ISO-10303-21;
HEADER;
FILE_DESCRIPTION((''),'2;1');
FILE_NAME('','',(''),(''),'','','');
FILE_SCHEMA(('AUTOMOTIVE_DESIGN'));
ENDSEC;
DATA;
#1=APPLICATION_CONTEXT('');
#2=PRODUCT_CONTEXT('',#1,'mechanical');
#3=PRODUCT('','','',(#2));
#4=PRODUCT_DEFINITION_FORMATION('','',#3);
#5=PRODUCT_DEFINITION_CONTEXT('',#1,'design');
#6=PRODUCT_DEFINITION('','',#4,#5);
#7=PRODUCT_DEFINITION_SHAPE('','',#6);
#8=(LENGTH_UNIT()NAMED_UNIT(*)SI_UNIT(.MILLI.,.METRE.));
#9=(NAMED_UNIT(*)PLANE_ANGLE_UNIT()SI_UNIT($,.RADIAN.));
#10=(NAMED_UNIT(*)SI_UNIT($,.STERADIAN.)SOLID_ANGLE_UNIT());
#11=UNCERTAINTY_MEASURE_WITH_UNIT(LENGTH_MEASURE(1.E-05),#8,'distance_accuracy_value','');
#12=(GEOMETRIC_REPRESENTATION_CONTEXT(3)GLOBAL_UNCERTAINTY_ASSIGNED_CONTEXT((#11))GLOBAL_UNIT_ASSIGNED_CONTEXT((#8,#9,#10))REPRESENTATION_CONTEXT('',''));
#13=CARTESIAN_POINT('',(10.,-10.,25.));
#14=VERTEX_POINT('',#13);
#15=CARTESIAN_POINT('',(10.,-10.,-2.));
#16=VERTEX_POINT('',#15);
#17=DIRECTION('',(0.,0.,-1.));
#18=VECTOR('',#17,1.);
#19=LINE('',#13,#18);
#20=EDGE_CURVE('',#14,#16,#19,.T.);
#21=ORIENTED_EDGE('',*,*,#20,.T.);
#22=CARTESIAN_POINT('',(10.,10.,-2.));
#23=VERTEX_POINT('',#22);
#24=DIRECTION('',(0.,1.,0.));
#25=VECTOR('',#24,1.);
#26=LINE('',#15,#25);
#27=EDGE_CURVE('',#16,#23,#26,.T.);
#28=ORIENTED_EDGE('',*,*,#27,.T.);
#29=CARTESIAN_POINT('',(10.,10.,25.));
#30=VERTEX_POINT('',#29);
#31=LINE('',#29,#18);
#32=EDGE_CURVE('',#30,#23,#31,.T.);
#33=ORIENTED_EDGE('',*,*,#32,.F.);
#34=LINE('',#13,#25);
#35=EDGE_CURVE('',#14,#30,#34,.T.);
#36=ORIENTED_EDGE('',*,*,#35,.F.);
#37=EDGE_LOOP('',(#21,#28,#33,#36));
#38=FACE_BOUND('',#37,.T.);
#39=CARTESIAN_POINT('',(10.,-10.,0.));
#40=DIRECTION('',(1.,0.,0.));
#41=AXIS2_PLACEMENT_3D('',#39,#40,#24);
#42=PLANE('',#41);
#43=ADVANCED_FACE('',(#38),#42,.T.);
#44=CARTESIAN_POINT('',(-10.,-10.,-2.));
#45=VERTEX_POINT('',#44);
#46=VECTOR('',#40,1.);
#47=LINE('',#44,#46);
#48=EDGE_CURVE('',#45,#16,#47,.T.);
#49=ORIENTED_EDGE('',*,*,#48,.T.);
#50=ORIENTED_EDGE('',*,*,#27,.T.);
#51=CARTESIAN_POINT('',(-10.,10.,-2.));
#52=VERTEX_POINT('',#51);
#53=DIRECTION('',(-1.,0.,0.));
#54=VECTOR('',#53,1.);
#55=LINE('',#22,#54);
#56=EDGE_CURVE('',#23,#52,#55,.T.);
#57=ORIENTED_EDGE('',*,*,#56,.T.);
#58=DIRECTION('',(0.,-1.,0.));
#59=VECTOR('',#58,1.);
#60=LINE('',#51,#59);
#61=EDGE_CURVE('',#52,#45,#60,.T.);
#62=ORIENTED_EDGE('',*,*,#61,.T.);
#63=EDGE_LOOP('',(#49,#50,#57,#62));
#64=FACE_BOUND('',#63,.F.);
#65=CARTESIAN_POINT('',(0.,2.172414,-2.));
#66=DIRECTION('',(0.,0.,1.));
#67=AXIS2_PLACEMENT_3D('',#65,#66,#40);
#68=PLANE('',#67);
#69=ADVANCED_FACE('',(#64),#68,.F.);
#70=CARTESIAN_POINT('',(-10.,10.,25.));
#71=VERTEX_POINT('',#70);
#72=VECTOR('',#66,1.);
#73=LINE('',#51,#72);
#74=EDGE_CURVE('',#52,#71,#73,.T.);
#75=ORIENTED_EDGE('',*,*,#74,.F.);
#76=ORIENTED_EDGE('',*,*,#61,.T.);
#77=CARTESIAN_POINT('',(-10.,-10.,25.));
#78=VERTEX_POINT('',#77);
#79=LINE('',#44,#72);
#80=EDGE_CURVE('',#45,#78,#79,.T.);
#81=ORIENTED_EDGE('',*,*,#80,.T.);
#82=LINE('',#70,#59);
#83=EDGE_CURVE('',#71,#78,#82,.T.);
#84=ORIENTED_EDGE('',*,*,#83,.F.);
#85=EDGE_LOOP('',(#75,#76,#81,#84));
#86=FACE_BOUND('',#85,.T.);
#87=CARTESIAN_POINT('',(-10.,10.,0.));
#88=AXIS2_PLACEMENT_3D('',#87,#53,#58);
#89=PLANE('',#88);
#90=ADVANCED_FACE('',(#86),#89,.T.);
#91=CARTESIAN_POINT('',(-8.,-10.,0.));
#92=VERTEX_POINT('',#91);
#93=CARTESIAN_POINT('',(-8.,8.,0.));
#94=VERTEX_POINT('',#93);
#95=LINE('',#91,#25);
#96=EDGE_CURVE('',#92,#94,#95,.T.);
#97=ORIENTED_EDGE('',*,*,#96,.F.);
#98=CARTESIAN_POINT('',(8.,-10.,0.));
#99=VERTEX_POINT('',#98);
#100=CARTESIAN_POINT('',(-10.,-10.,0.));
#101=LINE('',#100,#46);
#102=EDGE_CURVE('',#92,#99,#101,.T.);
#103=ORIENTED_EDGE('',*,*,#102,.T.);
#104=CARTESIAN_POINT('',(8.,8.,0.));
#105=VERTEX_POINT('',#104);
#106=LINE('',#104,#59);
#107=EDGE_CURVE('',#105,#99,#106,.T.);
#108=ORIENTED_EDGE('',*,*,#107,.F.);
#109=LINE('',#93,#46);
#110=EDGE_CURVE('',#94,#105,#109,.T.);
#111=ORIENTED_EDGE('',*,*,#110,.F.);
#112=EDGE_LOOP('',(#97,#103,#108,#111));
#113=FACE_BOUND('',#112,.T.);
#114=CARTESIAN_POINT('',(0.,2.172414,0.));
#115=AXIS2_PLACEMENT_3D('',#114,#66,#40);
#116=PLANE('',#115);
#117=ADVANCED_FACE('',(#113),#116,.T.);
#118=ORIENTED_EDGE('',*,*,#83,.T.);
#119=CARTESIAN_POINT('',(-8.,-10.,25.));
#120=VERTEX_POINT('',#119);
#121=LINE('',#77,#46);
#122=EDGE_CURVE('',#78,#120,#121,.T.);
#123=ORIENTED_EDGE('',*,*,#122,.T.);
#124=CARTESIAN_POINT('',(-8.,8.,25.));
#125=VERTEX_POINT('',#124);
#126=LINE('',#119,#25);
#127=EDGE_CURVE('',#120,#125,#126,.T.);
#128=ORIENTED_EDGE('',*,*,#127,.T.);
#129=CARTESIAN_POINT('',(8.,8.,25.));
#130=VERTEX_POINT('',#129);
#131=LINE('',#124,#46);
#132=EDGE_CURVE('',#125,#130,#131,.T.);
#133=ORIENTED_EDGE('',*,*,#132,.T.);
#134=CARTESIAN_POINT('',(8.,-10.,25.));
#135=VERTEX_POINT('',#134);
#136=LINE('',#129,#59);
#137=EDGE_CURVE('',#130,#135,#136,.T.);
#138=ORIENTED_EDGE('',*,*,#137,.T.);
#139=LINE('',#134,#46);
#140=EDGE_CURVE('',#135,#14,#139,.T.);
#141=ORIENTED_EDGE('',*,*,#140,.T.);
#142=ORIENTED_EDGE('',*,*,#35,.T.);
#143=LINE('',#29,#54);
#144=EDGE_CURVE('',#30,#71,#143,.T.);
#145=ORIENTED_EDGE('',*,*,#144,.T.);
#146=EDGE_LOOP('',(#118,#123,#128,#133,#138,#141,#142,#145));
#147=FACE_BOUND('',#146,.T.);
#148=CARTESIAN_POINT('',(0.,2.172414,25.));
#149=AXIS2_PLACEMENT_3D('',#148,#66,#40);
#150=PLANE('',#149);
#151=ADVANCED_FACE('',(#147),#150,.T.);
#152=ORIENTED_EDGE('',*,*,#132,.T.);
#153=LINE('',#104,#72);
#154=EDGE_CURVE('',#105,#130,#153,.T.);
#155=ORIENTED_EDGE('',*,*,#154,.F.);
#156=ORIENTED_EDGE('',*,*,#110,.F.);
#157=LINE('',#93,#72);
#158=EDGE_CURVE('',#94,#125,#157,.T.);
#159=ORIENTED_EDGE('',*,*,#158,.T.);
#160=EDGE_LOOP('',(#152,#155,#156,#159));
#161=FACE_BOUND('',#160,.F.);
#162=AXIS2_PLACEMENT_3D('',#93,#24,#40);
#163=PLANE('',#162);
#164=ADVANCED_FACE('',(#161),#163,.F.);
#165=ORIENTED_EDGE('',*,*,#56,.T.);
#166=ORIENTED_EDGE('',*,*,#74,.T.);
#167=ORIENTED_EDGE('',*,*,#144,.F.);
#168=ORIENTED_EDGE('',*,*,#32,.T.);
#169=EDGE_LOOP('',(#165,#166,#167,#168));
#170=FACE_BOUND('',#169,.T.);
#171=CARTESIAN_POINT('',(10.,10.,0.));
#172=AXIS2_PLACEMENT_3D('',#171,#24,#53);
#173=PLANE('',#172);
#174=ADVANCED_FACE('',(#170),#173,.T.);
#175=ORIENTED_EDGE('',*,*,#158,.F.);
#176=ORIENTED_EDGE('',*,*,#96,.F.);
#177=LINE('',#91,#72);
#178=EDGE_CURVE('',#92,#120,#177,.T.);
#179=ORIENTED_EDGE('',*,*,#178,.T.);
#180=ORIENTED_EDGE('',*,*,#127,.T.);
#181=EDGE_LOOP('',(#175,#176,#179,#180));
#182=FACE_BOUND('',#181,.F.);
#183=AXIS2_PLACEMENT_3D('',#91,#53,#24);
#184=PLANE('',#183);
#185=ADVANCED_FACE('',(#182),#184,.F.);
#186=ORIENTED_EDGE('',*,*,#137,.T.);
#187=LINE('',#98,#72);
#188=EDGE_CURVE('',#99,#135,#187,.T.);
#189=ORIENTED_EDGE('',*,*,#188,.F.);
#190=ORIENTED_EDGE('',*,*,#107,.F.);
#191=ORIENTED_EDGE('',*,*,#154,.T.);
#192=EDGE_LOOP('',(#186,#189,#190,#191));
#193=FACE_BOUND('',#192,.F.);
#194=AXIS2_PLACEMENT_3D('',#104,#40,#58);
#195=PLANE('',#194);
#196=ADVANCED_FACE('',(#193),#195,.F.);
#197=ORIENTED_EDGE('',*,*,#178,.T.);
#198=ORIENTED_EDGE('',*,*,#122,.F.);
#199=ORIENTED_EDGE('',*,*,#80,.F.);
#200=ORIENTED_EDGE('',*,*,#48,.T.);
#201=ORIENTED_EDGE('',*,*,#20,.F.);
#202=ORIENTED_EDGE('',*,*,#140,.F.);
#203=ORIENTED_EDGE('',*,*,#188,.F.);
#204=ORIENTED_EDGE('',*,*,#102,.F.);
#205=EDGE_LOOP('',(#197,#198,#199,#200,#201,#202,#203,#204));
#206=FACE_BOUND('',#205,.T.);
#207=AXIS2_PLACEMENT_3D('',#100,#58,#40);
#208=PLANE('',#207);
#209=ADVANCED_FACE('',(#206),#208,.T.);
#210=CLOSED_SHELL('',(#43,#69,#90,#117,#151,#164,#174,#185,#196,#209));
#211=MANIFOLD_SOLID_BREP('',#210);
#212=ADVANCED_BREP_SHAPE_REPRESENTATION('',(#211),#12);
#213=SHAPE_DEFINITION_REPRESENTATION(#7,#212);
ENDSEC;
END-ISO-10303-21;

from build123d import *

# Parameters (mm, degrees)
F1_DEPTH = 25
F0_W     = 16
F0_H     = 18
F2_DEPTH = 2


with BuildPart() as f1:
    # F0 (on Top) → F1 (new body)
    with BuildSketch(Plane.XY):
        Polygon((10, 10), (-10, 10), (-10, -10), (-8, -10), (-8, 8), (8, 8), (8, -10), (10, -10), align=None)
    extrude(amount=F1_DEPTH)

    # F0 (on Top) → F2 (join)
    with BuildSketch(Plane.XY):
        Polygon((10, 10), (-10, 10), (-10, -10), (-8, -10), (-8, 8), (8, 8), (8, -10), (10, -10), align=None)
        with Locations((0, -1)):
            Rectangle(F0_W, F0_H)
    extrude(amount=-F2_DEPTH)


solid = f1.part
